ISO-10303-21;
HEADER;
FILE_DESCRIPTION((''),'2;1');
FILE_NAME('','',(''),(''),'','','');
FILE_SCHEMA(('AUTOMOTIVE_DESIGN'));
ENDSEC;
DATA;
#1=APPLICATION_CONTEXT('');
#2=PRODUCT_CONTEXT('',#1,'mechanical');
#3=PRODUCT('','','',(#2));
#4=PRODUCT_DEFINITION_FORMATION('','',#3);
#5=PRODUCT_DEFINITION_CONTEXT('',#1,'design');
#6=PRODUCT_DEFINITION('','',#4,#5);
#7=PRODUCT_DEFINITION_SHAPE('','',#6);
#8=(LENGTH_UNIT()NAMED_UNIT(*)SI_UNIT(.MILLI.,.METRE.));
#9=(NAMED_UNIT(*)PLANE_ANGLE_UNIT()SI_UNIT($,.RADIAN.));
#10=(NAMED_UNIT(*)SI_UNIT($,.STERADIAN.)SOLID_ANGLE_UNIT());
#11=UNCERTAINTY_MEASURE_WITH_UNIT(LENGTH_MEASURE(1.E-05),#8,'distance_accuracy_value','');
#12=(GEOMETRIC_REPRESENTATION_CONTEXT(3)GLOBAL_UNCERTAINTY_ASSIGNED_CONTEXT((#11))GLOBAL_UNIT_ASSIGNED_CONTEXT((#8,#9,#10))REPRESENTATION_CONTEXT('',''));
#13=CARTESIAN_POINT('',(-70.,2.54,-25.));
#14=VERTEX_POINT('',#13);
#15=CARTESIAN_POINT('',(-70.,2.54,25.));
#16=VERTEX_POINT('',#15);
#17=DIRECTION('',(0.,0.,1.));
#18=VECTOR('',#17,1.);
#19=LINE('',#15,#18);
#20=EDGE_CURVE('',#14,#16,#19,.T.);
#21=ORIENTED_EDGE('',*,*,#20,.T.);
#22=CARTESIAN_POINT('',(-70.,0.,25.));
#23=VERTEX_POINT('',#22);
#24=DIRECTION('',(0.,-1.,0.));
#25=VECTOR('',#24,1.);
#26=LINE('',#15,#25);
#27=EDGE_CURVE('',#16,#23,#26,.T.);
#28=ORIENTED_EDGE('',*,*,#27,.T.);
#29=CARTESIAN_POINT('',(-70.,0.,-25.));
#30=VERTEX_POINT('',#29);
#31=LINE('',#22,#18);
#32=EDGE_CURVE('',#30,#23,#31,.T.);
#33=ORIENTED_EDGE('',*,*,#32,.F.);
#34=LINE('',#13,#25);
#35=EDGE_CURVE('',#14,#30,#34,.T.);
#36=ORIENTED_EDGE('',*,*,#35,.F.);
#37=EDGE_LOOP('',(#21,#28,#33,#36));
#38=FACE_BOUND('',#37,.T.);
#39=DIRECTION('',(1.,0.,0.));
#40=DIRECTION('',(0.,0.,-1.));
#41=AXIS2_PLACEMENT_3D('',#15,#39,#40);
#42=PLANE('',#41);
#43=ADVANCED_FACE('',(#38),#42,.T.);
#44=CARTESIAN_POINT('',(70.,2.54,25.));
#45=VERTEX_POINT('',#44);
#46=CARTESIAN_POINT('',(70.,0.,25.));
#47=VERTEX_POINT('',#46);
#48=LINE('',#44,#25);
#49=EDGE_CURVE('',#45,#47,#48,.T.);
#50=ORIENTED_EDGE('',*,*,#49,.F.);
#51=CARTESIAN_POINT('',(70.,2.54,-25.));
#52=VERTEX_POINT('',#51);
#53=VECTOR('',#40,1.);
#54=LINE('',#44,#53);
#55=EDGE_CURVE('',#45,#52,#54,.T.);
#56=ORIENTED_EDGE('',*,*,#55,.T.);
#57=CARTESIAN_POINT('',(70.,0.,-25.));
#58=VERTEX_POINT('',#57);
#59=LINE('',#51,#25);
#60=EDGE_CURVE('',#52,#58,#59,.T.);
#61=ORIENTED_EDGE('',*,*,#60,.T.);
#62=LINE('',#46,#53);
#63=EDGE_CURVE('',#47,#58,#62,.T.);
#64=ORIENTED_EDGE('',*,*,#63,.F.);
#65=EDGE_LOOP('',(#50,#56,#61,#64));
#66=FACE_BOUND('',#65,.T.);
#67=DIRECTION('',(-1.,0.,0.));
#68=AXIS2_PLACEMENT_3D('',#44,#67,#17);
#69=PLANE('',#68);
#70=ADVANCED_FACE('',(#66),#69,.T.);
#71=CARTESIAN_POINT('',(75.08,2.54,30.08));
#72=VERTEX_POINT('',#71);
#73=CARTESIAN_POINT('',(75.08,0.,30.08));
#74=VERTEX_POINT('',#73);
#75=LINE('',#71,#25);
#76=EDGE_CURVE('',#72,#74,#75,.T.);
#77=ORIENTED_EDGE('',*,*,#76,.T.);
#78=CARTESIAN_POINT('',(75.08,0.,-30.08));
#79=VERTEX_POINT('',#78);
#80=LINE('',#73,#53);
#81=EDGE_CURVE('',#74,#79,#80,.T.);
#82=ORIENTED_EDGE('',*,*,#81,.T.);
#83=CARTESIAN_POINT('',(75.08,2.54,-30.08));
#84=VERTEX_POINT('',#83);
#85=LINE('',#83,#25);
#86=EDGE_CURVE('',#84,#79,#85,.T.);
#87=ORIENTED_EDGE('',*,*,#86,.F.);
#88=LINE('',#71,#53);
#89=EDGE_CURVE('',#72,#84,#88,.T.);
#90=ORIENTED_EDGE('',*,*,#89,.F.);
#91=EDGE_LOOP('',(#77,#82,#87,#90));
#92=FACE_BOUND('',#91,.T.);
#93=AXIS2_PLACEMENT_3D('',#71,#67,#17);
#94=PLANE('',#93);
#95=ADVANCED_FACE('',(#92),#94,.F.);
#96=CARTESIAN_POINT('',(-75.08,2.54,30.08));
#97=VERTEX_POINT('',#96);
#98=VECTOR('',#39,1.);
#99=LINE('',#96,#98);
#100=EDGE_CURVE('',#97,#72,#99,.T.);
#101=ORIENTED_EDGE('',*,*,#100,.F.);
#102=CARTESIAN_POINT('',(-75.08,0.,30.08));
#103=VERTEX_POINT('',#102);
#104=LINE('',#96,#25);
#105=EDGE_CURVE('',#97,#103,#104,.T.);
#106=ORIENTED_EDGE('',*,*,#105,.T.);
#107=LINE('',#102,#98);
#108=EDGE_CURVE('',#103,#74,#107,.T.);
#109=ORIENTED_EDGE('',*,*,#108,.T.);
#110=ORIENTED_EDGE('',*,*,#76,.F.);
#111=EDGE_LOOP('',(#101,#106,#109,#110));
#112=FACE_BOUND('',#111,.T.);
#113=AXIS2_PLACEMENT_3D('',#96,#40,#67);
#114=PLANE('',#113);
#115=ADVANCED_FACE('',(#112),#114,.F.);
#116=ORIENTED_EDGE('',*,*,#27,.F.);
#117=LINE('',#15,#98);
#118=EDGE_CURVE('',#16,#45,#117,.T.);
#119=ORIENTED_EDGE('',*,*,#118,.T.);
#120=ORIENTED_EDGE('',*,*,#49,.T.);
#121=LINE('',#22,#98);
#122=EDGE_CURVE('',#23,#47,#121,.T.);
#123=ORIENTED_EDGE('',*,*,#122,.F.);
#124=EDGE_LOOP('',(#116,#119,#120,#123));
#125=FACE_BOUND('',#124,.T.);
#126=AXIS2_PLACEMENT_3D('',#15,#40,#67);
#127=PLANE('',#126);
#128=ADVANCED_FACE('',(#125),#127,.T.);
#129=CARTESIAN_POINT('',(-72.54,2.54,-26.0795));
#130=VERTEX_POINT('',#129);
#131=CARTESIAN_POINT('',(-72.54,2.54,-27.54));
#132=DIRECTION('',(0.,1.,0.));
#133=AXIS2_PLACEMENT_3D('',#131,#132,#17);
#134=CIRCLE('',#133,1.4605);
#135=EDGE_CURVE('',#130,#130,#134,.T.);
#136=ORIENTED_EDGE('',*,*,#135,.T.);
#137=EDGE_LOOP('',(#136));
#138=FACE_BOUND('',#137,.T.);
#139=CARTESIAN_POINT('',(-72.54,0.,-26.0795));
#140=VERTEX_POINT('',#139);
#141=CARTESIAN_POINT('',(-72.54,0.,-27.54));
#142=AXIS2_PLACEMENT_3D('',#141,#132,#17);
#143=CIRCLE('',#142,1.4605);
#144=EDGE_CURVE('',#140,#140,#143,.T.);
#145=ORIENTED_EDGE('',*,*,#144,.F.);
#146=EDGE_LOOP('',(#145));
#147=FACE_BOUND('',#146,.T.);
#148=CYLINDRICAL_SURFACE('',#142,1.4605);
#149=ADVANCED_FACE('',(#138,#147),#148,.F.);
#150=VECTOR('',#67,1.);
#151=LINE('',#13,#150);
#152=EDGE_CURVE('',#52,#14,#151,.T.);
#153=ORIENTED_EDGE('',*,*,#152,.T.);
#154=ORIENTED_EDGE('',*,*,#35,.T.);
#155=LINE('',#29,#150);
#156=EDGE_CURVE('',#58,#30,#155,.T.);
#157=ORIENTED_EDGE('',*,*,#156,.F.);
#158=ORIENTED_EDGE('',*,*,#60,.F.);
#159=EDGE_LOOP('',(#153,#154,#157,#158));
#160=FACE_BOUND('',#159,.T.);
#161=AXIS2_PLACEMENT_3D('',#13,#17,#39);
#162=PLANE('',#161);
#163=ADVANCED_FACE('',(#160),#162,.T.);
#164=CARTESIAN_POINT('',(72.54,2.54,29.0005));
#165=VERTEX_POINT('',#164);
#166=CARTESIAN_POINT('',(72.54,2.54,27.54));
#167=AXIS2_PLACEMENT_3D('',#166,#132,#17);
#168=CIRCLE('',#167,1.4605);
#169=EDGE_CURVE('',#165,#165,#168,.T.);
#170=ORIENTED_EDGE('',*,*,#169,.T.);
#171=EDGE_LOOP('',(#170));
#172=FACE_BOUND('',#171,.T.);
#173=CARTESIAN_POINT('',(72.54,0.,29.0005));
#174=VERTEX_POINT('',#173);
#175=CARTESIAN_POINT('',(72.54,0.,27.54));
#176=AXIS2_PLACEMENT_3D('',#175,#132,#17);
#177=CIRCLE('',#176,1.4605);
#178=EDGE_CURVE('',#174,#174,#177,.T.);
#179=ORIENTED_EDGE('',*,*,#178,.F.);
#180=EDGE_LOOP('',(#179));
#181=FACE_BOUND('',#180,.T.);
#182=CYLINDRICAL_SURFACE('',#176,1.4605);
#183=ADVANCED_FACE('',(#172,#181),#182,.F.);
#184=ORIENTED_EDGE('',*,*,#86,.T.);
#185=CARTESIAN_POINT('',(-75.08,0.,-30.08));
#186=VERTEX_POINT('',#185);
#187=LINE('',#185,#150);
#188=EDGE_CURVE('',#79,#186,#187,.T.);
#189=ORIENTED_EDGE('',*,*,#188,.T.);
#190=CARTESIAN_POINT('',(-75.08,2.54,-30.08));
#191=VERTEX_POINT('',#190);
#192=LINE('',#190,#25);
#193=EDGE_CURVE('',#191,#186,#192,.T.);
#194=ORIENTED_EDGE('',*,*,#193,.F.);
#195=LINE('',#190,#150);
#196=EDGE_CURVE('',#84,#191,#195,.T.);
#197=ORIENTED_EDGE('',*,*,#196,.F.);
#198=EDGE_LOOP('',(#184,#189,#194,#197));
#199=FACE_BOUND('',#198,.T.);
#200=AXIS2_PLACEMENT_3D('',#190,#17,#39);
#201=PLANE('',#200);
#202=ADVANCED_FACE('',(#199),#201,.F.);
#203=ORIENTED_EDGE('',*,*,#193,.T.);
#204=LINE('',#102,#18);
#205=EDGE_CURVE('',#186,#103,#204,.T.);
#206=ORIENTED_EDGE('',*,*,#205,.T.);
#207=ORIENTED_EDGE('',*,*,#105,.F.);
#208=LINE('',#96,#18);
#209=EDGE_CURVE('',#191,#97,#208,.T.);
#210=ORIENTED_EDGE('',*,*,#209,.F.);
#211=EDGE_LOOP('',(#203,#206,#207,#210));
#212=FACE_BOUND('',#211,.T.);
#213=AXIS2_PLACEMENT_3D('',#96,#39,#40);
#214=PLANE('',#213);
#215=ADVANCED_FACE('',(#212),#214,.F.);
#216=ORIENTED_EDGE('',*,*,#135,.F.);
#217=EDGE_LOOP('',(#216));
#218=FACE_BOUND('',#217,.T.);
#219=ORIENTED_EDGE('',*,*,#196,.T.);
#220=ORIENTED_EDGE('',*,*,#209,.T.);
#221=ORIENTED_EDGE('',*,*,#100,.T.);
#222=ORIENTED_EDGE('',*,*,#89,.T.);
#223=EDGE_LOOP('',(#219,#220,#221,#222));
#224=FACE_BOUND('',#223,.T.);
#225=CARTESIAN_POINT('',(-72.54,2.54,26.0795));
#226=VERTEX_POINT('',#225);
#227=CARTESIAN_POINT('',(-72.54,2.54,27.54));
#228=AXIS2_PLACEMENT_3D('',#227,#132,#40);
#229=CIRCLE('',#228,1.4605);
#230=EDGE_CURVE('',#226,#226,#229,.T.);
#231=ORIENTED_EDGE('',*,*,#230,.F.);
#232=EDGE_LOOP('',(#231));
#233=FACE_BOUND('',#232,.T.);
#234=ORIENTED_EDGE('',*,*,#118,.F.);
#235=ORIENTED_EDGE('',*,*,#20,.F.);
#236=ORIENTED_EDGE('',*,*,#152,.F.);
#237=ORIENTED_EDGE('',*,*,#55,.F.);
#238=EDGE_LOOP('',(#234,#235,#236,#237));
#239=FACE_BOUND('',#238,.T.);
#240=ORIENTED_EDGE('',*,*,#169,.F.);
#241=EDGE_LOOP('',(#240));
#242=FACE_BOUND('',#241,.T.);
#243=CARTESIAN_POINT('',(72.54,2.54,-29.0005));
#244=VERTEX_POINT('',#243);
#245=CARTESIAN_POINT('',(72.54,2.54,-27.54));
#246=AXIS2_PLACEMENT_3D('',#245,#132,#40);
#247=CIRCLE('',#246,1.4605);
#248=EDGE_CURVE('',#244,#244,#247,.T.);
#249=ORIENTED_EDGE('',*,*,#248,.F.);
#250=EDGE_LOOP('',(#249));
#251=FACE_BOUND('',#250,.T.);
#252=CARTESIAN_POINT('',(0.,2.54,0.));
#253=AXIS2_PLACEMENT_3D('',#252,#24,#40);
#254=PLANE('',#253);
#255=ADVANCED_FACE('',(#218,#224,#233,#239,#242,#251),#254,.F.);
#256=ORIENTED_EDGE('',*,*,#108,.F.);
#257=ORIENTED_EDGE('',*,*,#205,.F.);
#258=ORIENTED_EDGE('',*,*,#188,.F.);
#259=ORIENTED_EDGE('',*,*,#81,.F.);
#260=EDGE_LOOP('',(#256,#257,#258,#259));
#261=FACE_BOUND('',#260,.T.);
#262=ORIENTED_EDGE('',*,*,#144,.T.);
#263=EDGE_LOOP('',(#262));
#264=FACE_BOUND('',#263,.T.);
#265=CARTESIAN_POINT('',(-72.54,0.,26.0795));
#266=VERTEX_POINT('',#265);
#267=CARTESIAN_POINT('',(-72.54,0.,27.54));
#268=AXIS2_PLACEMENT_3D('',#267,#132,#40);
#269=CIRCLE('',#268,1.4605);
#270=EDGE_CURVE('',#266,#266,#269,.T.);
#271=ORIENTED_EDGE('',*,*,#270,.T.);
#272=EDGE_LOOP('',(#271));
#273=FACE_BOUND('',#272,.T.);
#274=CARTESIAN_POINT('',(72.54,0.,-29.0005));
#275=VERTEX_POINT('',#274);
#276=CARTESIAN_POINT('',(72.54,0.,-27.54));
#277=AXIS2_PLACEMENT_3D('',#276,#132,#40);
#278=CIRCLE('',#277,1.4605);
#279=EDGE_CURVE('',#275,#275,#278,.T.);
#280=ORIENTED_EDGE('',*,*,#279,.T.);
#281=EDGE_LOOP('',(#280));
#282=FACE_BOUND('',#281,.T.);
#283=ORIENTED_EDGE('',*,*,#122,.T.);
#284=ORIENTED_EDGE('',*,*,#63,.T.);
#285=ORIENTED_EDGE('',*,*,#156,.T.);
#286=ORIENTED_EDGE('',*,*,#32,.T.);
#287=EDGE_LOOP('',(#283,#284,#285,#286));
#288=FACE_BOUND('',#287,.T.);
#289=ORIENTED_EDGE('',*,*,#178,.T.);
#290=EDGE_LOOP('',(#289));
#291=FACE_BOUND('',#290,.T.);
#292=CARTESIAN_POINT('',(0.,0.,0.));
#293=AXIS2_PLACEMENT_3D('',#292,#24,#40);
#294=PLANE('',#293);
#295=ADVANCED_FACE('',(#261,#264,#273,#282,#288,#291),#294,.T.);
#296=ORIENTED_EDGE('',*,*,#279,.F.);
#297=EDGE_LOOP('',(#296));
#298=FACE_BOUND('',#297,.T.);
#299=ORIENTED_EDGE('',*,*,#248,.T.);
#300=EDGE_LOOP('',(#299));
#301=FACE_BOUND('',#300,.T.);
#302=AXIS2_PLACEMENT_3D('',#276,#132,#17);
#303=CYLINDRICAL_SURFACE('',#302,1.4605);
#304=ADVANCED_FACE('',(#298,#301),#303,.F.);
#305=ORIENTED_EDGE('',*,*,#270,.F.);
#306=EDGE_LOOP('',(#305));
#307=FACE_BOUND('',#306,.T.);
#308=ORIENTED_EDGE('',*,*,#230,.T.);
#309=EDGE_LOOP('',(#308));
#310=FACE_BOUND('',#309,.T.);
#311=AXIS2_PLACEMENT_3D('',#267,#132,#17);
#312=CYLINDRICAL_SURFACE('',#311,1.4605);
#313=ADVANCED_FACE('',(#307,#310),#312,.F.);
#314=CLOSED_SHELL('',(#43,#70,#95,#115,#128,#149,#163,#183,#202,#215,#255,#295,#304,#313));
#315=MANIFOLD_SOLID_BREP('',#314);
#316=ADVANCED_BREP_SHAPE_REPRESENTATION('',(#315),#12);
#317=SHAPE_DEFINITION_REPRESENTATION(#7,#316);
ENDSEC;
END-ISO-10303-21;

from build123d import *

# Parameters (mm, degrees)
SKETCH1_W                           = 150.159999908
SKETCH1_H                           = 60.160000076
SKETCH1_W_2                         = 139.999999908
SKETCH1_H_2                         = 50.000000076
BOSS_EXTRUDE1_DEPTH                 = 2.54
SKETCH2_R                           = 1.4605
MOUNTING_HOLES_4_40_CLEARANCE_DEPTH = 2.54


with BuildPart() as part:
    # Sketch1 → Boss-Extrude1 (new body)
    with BuildSketch(Plane(origin=(0, 0, 0), x_dir=(1, 0, 0), z_dir=(0, 1, 0))):
        Rectangle(SKETCH1_W, SKETCH1_H)
        Rectangle(SKETCH1_W_2, SKETCH1_H_2, mode=Mode.SUBTRACT)
    extrude(amount=BOSS_EXTRUDE1_DEPTH)

    # Sketch2 → Mounting Holes (4-40 Clearance) (cut)
    with BuildSketch(Plane(origin=(0, 2.54, 0), x_dir=(1, 0, 0), z_dir=(0, 1, 0))):
        with Locations((72.539999954, -27.540000038)):
            Circle(SKETCH2_R)
        with Locations((72.539999954, 27.540000038)):
            Circle(SKETCH2_R)
        with Locations((-72.539999954, 27.540000038)):
            Circle(SKETCH2_R)
        with Locations((-72.539999954, -27.540000038)):
            Circle(SKETCH2_R)
    extrude(amount=-MOUNTING_HOLES_4_40_CLEARANCE_DEPTH, mode=Mode.SUBTRACT)


solid = part.part
